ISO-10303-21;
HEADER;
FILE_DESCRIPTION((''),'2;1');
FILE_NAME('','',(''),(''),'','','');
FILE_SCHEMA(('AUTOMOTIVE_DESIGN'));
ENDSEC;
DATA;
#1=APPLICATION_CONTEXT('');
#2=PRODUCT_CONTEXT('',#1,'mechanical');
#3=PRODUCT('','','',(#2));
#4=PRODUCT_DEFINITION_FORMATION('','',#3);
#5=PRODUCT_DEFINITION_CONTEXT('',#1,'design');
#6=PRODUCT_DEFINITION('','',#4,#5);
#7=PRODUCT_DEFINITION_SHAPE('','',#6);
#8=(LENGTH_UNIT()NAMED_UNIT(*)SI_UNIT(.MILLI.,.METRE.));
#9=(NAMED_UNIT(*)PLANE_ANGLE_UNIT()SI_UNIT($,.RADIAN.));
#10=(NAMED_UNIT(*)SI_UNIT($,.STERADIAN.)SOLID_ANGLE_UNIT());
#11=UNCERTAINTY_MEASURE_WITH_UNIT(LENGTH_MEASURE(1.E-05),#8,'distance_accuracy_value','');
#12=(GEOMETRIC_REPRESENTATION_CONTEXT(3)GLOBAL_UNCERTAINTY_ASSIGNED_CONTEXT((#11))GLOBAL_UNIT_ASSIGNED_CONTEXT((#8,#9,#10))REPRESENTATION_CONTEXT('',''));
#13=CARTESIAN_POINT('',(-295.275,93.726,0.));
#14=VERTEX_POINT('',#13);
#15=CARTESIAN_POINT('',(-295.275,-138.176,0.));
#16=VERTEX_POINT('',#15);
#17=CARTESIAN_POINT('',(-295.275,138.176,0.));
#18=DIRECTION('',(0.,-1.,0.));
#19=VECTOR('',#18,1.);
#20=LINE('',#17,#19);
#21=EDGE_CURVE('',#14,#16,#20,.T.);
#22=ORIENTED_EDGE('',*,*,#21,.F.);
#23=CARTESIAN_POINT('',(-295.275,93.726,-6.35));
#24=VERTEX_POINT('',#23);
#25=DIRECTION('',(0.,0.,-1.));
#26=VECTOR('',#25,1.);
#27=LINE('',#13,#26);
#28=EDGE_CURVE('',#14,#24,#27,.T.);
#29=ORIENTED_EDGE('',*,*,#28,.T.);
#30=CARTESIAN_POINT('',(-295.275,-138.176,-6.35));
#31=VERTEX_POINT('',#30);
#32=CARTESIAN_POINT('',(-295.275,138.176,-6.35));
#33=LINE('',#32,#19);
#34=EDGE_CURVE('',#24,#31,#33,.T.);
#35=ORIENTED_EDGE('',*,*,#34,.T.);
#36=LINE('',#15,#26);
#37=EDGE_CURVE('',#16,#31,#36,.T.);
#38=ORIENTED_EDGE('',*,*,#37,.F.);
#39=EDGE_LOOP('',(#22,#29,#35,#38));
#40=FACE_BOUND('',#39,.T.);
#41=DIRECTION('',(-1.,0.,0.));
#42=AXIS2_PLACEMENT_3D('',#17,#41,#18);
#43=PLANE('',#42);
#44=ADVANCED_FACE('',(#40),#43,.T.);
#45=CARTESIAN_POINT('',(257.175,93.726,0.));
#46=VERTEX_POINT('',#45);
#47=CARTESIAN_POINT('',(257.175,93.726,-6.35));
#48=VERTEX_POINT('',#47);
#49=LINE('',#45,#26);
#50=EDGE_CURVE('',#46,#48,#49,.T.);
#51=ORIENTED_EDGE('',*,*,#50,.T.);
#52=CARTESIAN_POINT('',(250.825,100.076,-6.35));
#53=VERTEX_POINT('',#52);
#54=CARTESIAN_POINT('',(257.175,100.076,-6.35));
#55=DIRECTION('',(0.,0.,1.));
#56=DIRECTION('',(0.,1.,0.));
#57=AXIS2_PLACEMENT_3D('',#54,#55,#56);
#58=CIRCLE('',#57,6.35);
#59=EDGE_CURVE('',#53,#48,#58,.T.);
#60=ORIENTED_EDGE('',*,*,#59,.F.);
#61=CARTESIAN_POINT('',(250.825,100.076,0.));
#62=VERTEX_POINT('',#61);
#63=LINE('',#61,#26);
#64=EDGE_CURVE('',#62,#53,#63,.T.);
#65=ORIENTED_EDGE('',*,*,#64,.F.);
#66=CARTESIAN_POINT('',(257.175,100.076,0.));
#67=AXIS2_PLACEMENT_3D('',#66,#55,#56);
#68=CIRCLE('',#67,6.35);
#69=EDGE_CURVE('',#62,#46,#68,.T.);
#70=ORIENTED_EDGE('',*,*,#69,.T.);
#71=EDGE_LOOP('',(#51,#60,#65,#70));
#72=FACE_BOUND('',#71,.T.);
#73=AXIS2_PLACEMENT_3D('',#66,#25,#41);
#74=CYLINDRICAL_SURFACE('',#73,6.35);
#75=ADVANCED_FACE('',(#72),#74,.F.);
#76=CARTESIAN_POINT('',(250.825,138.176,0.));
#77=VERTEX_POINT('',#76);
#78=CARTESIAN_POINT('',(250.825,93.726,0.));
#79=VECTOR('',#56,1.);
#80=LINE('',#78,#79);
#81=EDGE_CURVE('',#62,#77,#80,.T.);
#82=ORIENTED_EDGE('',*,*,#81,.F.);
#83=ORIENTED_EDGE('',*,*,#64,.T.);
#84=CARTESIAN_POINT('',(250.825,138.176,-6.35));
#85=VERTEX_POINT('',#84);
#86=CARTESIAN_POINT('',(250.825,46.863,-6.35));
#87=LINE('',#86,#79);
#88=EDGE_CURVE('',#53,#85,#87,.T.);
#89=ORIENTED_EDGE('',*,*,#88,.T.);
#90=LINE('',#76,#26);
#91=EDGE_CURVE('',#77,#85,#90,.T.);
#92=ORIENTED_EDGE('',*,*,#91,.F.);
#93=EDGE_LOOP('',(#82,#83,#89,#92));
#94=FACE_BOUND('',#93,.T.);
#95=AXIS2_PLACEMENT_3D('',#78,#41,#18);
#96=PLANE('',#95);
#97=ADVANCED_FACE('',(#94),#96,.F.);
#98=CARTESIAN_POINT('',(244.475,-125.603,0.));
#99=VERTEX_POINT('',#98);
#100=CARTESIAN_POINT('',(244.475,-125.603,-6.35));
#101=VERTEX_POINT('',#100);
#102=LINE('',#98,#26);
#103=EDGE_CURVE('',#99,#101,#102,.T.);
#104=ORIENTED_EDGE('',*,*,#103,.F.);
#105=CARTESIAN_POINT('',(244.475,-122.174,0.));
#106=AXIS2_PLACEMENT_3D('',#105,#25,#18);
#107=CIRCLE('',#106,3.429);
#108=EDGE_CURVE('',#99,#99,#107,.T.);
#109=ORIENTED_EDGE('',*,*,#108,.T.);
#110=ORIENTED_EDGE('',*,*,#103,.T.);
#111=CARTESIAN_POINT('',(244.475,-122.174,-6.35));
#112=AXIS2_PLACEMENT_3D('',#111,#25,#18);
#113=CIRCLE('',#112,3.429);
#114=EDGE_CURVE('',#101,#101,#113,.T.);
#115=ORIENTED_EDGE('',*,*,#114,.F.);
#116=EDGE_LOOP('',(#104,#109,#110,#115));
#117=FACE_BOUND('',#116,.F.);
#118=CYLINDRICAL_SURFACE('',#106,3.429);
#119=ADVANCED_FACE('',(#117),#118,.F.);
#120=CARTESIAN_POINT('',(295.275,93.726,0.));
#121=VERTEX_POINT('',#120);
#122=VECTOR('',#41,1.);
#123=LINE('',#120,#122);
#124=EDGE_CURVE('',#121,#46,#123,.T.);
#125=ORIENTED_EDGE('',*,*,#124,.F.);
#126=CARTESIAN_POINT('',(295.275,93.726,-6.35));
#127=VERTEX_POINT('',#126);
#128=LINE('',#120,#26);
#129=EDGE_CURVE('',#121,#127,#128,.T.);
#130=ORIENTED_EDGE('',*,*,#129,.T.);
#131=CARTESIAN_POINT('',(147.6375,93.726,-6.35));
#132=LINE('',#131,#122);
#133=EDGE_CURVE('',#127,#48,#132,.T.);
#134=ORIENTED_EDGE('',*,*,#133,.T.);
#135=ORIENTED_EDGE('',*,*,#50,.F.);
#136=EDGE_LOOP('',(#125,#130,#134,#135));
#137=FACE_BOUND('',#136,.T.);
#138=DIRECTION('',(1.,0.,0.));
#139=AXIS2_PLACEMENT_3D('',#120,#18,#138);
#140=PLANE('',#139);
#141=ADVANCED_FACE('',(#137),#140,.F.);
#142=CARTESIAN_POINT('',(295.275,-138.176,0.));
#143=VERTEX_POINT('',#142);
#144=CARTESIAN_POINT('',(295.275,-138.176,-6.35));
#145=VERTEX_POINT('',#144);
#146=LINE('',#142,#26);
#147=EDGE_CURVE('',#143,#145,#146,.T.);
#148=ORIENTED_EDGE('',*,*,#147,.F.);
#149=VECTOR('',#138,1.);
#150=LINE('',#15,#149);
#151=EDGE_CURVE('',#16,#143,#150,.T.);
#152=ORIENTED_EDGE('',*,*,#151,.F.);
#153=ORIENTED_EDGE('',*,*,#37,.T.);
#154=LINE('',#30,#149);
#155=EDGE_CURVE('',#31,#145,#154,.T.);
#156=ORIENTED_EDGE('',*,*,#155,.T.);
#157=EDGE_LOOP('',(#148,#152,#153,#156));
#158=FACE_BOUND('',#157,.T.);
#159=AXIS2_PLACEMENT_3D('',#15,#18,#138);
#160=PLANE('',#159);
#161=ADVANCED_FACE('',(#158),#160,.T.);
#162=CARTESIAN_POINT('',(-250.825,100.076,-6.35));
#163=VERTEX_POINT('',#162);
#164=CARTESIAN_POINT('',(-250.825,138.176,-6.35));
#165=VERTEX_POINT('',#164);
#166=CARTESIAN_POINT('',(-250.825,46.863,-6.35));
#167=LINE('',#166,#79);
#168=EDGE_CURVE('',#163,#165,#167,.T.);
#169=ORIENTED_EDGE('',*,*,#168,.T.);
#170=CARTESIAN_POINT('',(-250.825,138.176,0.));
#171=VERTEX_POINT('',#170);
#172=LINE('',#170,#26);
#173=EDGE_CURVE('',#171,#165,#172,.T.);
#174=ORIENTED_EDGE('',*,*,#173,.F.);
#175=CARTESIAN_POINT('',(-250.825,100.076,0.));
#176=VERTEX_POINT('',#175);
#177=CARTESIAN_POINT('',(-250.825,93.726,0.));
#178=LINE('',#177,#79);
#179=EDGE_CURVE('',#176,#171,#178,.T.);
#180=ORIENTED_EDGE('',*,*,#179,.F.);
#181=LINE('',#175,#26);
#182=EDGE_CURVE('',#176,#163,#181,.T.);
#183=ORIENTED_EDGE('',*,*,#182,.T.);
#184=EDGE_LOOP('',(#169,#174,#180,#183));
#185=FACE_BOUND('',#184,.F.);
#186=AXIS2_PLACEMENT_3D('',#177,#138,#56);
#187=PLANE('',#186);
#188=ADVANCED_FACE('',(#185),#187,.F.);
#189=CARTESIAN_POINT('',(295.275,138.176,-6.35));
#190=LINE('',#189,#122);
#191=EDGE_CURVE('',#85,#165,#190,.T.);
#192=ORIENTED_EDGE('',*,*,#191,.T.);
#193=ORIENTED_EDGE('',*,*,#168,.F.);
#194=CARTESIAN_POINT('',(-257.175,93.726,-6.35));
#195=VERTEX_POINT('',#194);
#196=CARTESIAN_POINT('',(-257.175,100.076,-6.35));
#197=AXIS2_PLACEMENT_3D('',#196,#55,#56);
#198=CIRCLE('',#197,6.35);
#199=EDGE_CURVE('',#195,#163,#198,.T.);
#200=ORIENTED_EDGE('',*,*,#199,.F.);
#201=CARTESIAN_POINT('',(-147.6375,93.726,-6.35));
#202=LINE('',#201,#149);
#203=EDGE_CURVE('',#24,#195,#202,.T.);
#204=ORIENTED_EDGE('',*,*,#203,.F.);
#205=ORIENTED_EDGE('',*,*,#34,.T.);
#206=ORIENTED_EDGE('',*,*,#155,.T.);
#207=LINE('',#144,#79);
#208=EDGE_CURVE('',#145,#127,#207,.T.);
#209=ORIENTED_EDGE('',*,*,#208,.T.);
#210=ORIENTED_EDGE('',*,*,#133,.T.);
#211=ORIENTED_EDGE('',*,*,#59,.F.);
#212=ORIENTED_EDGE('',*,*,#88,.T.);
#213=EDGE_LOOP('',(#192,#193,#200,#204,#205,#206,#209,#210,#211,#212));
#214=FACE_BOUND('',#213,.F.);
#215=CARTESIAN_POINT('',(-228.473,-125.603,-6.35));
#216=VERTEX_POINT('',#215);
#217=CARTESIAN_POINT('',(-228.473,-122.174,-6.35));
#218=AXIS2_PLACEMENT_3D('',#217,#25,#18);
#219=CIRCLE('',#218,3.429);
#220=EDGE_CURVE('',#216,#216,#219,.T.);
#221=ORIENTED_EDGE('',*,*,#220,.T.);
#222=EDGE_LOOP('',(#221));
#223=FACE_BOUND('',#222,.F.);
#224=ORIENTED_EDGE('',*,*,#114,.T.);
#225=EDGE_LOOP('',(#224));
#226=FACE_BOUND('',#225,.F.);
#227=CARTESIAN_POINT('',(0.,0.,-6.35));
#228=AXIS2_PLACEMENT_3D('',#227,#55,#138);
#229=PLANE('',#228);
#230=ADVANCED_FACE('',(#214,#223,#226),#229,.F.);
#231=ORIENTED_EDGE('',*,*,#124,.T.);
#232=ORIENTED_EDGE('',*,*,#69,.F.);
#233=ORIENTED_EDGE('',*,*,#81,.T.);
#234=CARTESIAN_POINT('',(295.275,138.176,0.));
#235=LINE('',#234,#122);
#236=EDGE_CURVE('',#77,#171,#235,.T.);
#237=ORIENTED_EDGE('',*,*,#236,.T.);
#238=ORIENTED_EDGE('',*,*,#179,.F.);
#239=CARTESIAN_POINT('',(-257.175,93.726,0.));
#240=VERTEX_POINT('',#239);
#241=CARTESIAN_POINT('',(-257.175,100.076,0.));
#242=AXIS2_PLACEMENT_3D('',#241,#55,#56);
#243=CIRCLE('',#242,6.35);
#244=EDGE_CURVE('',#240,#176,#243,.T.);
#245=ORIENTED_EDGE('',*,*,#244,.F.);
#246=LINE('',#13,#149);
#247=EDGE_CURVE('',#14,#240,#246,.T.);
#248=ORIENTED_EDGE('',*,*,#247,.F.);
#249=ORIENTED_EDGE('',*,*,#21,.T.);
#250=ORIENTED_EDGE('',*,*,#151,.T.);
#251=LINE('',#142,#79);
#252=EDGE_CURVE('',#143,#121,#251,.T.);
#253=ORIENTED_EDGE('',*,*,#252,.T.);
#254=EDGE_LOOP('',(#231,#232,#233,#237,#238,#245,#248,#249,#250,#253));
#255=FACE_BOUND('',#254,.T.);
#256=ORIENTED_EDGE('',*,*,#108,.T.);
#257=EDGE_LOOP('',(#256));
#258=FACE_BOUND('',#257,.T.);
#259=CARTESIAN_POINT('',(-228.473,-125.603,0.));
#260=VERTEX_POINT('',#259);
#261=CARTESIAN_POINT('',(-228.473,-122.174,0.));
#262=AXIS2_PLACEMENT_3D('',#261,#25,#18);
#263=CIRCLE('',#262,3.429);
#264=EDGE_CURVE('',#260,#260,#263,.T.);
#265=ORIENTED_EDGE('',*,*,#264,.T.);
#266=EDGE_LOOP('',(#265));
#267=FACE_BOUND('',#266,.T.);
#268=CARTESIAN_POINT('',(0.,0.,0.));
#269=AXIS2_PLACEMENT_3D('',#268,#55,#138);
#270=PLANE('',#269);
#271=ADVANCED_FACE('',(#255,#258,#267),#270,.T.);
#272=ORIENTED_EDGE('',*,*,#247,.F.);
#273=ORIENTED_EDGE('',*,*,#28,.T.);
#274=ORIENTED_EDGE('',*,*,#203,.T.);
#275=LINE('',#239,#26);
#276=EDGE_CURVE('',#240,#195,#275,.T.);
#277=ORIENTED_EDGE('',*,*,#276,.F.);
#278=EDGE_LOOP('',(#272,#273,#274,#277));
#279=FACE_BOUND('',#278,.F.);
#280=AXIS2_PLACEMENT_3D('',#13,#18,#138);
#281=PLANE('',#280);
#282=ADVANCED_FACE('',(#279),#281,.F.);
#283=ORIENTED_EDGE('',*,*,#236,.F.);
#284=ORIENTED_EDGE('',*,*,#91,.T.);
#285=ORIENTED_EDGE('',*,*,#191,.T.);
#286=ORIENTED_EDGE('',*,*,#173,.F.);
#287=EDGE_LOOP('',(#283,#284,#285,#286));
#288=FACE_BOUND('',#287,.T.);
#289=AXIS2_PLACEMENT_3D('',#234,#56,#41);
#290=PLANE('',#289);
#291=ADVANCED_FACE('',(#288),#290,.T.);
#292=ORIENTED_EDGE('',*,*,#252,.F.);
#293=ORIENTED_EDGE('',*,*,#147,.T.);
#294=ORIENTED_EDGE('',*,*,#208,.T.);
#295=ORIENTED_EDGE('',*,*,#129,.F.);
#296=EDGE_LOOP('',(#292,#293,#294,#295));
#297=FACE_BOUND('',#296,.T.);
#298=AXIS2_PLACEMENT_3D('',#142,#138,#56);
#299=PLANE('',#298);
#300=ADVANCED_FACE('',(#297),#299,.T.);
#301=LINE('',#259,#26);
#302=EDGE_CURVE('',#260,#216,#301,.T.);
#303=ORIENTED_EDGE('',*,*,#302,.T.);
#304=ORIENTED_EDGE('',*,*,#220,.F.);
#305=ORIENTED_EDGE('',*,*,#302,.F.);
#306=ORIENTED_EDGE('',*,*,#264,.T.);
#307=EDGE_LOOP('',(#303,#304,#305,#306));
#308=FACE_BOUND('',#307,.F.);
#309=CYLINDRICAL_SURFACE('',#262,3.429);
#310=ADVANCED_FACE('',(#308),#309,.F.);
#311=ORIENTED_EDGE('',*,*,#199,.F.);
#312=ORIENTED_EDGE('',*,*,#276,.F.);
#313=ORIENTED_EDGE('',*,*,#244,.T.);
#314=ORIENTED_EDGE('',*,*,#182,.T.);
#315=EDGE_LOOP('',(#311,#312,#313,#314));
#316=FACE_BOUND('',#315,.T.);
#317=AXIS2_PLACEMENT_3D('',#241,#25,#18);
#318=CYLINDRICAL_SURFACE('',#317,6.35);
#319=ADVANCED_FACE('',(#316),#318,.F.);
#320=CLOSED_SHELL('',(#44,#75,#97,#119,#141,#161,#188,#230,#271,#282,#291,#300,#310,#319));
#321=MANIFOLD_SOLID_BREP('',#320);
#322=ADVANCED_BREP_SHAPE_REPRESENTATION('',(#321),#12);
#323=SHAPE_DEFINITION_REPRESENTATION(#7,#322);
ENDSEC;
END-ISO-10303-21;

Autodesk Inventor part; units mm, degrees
ref_plane "YZ Plane" through (0, 0, 0) normal (1, 0, 0) x (0, 1, 0)
ref_plane "XZ Plane" through (0, 0, 0) normal (0, 1, 0) x (-1, 0, 0)
sketch "Sketch1" plane through (0, 0, 0) normal (0, 0, 1) x (1, 0, 0)
  line L0 (-295.275, -138.176) -> (295.275, -138.176)
  line L1 (295.275, -138.176) -> (295.275, 138.176)
  line L2 (295.275, 138.176) -> (-295.275, 138.176)
  line L3 (-295.275, 138.176) -> (-295.275, -138.176)
  line L4 (-295.275, -138.176) -> (295.275, 138.176) construction
  line L5 (295.275, -138.176) -> (-295.275, 138.176) construction
  point P0 (0, 0)
  dimension "d0" = 590.55
  dimension "d1" = 276.352
extrude "Extrusion1" add sketch "Sketch1" against normal blind 6.35
sketch "Sketch2" plane through (0, 0, 0) normal (0, 0, 1) x (1, 0, 0)
  line L0 (-295.275, -138.176) -> (295.275, -138.176) projected
  line L1 (295.275, 138.176) -> (-295.275, 138.176) projected
  line L2 (-295.275, 138.176) -> (-295.275, -138.176) projected
  line L3 (-295.275, 93.726) -> (-250.825, 93.726)
  line L4 (-250.825, 93.726) -> (-250.825, 138.176)
  point P0 (0, 0)
  dimension "d4" = 44.45
  dimension "d6" = 231.902
extrude "Extrusion2" cut sketch "Sketch2" against normal through all
fillet "Fillet1" radius 6.35 1 edges at (-250.825, 93.726, -3.175)
ref_plane "Work Plane1" through (0, -138.176, 0) normal (1, 0, 0) x (0, 1, 0)
mirror "Mirror1" about plane through (0, -138.176, 0) normal (1, 0, 0) of "Extrusion2", "Fillet1"
sketch "Sketch3" plane through (0, 0, 0) normal (0, 0, 1) x (1, 0, 0)
  line L0 (-295.275, 93.726) -> (-295.275, -138.176) projected
  line L1 (-295.275, -138.176) -> (295.275, -138.176) projected
  point P0 (0, 0)
  point P1 (-228.473, -122.174)
  point P2 (244.475, -122.174)
  dimension "d10" = 66.802
  dimension "d11" = 539.75
  dimension "d12" = 16.002
hole "Hole1" at (-228.473, -122.174, 0) at (244.475, -122.174, 0) direction (0, 0, -1) diameter 6.858 end through all
properties part number "GE-13042" material "Polycarbonate, Clear"
